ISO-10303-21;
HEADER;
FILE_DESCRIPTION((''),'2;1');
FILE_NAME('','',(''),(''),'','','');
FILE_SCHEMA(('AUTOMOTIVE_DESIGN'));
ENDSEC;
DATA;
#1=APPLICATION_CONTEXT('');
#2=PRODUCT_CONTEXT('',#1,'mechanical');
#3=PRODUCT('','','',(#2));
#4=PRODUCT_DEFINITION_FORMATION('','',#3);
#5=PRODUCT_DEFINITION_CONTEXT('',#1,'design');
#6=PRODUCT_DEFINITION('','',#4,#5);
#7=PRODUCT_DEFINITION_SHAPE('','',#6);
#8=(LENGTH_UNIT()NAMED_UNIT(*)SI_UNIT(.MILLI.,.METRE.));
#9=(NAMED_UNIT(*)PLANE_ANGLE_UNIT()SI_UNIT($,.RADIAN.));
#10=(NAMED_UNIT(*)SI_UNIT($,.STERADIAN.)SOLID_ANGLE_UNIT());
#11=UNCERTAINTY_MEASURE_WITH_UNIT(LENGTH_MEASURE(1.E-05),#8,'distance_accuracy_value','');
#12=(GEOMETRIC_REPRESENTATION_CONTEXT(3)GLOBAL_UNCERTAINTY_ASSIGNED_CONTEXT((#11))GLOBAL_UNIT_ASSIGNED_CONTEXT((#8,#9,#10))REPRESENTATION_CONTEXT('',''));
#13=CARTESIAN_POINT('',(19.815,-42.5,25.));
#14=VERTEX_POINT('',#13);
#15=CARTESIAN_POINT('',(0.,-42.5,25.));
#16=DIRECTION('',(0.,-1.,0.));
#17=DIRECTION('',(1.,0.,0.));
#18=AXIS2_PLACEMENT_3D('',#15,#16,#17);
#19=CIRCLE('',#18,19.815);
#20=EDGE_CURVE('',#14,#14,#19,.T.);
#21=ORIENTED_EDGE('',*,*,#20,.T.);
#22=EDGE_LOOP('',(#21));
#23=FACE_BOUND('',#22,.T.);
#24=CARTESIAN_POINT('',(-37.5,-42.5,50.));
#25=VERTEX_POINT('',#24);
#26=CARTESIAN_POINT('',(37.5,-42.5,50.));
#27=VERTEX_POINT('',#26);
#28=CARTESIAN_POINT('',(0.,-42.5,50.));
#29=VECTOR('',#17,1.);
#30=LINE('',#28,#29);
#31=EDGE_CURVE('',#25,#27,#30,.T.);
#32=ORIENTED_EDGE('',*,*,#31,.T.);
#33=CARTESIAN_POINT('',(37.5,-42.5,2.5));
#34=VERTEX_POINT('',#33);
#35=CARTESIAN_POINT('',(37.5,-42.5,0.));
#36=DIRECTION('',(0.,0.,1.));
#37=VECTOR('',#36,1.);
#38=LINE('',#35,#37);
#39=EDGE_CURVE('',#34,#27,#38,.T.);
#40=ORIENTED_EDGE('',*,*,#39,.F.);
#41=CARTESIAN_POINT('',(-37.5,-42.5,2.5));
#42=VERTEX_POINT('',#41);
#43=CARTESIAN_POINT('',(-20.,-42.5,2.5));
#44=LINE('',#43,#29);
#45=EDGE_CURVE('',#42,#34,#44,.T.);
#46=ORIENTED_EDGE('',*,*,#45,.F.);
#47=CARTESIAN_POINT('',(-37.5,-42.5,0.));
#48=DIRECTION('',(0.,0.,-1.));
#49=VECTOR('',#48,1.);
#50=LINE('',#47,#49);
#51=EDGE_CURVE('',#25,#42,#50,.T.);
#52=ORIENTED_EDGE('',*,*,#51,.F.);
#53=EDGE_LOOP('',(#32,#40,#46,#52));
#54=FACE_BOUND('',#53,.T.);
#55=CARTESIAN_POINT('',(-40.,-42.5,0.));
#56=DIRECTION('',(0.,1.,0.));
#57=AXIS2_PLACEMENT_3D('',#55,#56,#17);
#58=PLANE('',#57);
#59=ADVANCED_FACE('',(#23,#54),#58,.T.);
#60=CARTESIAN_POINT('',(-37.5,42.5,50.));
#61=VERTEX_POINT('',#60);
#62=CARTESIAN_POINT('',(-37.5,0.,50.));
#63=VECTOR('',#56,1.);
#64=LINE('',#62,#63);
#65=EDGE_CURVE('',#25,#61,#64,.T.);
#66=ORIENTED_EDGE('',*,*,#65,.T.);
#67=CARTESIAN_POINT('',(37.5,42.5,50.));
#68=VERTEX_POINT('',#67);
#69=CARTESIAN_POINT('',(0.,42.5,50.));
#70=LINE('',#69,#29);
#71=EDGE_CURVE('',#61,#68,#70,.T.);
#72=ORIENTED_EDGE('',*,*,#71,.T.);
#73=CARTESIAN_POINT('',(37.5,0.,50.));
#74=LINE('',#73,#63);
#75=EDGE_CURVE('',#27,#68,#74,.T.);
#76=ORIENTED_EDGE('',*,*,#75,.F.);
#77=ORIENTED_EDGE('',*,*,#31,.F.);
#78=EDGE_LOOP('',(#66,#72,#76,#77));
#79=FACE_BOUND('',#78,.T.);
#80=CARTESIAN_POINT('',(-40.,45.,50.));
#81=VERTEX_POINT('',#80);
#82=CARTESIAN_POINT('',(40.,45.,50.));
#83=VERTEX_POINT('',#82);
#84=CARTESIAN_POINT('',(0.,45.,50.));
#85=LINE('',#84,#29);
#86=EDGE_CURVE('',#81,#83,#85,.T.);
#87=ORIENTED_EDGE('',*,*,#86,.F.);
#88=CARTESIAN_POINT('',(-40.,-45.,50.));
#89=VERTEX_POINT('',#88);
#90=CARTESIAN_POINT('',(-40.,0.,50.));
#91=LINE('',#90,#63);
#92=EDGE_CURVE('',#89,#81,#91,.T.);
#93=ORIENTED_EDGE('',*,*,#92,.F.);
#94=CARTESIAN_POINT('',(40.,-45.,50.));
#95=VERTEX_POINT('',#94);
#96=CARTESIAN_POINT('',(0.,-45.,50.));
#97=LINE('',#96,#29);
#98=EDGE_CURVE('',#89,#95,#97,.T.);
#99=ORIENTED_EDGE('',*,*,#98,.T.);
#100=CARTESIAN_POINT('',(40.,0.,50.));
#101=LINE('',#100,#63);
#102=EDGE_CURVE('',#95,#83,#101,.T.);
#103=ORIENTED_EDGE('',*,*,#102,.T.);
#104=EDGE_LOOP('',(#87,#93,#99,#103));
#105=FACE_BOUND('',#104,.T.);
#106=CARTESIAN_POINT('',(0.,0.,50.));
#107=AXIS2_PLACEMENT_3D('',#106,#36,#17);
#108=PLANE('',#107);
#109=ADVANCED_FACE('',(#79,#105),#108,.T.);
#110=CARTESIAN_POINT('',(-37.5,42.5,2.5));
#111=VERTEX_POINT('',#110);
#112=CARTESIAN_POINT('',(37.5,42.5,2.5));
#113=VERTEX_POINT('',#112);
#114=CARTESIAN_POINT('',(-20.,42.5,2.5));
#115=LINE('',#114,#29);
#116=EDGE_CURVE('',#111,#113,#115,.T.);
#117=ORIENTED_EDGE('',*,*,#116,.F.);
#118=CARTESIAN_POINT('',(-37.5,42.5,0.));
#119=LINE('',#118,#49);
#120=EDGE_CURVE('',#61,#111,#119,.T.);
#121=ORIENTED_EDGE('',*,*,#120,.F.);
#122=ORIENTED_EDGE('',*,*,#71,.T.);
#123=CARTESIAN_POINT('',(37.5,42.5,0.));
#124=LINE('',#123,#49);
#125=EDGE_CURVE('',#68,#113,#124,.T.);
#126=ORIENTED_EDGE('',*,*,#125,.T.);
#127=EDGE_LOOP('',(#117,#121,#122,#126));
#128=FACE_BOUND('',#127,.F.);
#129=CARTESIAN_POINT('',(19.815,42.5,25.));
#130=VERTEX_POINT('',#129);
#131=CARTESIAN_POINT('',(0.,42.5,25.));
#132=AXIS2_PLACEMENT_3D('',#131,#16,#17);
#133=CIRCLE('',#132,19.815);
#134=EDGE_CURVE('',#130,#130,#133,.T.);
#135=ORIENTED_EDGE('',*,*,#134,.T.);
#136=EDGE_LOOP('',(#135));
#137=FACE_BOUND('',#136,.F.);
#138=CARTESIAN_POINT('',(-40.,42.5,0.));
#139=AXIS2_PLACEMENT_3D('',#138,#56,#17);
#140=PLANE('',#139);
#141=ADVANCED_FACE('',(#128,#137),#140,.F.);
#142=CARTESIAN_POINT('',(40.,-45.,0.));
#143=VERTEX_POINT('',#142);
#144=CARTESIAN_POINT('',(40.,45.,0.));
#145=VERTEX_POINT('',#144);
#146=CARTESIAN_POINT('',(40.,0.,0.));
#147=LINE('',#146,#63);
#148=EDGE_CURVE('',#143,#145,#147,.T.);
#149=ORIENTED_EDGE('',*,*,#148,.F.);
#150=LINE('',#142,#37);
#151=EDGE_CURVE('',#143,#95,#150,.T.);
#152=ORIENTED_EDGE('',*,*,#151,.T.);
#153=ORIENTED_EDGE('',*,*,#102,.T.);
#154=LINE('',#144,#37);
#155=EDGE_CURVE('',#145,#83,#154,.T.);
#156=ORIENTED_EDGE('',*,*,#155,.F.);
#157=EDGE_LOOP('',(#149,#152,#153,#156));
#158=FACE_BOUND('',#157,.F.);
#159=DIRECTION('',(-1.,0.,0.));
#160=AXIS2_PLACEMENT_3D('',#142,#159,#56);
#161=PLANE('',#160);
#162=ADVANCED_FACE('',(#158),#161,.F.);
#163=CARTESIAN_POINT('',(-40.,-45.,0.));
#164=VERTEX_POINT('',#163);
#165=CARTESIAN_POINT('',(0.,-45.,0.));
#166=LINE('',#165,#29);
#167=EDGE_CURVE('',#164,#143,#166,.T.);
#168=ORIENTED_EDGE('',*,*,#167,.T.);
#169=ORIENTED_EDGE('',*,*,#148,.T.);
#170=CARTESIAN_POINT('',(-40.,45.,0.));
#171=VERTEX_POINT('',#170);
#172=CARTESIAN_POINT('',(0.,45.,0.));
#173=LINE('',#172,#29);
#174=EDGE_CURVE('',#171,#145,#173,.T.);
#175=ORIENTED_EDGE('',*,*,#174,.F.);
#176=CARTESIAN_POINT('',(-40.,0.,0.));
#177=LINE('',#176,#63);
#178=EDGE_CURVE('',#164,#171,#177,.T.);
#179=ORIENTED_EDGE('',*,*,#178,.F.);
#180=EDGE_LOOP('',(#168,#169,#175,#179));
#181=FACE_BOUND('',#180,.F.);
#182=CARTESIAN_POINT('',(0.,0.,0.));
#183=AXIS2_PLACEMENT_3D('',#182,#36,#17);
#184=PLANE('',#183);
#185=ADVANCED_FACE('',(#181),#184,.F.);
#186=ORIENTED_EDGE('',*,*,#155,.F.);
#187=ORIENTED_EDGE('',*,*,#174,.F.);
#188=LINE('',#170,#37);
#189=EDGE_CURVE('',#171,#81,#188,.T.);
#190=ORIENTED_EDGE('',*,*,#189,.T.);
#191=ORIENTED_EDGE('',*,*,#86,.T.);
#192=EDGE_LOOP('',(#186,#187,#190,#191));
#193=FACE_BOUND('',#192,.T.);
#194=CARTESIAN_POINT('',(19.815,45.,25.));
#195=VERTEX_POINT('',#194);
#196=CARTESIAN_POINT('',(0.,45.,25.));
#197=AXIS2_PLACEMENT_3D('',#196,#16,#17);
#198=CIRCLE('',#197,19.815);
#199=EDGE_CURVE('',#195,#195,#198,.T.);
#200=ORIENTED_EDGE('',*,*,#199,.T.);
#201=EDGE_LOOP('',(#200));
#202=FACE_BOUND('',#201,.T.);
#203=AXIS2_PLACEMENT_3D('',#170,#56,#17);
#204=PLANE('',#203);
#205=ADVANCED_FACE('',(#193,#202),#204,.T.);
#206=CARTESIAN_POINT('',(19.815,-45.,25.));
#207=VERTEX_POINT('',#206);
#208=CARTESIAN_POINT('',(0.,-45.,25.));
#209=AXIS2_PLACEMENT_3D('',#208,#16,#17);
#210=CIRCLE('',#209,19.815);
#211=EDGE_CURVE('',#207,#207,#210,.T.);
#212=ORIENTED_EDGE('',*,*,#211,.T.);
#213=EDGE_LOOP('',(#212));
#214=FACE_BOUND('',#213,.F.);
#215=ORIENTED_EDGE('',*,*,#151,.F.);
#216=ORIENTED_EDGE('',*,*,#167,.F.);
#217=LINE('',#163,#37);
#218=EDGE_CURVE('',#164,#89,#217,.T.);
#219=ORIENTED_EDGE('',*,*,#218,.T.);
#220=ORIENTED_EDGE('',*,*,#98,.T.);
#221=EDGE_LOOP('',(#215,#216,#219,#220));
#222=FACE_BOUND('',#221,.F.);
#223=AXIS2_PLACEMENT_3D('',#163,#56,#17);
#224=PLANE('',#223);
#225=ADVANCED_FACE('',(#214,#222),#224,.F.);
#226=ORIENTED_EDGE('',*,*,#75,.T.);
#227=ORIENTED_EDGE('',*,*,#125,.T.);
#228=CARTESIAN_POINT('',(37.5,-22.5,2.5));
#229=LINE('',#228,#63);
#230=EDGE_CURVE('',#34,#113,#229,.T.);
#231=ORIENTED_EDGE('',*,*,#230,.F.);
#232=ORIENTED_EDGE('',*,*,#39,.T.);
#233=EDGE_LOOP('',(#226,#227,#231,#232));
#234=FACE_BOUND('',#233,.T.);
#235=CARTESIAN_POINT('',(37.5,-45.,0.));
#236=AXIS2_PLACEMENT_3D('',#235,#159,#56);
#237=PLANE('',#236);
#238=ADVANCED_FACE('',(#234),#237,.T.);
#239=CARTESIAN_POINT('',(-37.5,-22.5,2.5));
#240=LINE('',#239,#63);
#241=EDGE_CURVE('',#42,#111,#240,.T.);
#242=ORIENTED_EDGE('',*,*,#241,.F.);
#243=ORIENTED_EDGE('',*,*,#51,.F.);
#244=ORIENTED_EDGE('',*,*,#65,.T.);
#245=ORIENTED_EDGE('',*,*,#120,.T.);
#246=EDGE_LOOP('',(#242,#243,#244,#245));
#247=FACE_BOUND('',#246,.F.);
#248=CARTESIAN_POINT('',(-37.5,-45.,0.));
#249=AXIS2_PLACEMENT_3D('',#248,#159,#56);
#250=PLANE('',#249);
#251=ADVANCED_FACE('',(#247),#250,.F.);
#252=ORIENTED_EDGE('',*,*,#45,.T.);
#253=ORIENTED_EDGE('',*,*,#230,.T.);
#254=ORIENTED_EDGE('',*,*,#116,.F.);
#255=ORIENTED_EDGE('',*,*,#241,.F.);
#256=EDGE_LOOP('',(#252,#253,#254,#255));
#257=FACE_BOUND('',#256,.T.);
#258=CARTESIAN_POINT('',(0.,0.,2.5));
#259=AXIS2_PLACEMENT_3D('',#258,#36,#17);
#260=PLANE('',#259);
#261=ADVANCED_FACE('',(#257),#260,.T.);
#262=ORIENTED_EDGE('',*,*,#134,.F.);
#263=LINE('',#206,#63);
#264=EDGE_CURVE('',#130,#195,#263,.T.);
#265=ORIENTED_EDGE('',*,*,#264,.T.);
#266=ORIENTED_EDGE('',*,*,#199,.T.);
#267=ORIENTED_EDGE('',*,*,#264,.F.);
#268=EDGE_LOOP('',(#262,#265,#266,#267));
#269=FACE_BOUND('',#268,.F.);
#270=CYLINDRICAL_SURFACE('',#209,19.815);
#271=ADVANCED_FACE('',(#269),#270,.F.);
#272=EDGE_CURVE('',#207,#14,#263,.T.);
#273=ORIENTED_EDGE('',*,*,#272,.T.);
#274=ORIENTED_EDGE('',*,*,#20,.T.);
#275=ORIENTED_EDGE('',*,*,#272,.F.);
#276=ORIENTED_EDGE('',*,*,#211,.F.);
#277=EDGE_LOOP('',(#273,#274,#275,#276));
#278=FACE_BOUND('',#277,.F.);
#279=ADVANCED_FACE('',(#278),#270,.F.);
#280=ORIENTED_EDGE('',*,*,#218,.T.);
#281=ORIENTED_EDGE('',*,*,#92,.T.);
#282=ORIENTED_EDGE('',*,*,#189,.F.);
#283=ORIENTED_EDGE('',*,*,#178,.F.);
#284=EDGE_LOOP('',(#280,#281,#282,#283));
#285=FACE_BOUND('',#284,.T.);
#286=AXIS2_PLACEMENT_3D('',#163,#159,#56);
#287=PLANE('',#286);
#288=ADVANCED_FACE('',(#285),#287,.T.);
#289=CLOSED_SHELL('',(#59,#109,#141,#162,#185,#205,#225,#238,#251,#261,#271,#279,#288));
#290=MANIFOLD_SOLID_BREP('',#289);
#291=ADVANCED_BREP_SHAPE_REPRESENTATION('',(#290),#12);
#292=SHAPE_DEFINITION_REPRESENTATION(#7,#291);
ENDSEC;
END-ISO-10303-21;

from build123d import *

# Parameters (mm, degrees)
F0_W     = 80
F0_H     = 90
F1_DEPTH = 50
F2_T     = -2.5
F3_R     = 19.815
F4_DEPTH = 90.001


with BuildPart() as f1:
    # F0 (on Top) → F1 (new body)
    with BuildSketch(Plane.XY):
        Rectangle(F0_W, F0_H)
    extrude(amount=F1_DEPTH)

    # F2
    f2_openings = [f1.faces().sort_by_distance(p)[0] for p in [
        (0, 0, 50),
    ]]
    offset(amount=F2_T, openings=f2_openings)

    # F3 (on face) → F4 (cut, through all)
    with BuildSketch(Plane.XZ.offset(45)):
        with Locations((0, 25)):
            Circle(F3_R)
    extrude(amount=-F4_DEPTH, mode=Mode.SUBTRACT)


solid = f1.part
